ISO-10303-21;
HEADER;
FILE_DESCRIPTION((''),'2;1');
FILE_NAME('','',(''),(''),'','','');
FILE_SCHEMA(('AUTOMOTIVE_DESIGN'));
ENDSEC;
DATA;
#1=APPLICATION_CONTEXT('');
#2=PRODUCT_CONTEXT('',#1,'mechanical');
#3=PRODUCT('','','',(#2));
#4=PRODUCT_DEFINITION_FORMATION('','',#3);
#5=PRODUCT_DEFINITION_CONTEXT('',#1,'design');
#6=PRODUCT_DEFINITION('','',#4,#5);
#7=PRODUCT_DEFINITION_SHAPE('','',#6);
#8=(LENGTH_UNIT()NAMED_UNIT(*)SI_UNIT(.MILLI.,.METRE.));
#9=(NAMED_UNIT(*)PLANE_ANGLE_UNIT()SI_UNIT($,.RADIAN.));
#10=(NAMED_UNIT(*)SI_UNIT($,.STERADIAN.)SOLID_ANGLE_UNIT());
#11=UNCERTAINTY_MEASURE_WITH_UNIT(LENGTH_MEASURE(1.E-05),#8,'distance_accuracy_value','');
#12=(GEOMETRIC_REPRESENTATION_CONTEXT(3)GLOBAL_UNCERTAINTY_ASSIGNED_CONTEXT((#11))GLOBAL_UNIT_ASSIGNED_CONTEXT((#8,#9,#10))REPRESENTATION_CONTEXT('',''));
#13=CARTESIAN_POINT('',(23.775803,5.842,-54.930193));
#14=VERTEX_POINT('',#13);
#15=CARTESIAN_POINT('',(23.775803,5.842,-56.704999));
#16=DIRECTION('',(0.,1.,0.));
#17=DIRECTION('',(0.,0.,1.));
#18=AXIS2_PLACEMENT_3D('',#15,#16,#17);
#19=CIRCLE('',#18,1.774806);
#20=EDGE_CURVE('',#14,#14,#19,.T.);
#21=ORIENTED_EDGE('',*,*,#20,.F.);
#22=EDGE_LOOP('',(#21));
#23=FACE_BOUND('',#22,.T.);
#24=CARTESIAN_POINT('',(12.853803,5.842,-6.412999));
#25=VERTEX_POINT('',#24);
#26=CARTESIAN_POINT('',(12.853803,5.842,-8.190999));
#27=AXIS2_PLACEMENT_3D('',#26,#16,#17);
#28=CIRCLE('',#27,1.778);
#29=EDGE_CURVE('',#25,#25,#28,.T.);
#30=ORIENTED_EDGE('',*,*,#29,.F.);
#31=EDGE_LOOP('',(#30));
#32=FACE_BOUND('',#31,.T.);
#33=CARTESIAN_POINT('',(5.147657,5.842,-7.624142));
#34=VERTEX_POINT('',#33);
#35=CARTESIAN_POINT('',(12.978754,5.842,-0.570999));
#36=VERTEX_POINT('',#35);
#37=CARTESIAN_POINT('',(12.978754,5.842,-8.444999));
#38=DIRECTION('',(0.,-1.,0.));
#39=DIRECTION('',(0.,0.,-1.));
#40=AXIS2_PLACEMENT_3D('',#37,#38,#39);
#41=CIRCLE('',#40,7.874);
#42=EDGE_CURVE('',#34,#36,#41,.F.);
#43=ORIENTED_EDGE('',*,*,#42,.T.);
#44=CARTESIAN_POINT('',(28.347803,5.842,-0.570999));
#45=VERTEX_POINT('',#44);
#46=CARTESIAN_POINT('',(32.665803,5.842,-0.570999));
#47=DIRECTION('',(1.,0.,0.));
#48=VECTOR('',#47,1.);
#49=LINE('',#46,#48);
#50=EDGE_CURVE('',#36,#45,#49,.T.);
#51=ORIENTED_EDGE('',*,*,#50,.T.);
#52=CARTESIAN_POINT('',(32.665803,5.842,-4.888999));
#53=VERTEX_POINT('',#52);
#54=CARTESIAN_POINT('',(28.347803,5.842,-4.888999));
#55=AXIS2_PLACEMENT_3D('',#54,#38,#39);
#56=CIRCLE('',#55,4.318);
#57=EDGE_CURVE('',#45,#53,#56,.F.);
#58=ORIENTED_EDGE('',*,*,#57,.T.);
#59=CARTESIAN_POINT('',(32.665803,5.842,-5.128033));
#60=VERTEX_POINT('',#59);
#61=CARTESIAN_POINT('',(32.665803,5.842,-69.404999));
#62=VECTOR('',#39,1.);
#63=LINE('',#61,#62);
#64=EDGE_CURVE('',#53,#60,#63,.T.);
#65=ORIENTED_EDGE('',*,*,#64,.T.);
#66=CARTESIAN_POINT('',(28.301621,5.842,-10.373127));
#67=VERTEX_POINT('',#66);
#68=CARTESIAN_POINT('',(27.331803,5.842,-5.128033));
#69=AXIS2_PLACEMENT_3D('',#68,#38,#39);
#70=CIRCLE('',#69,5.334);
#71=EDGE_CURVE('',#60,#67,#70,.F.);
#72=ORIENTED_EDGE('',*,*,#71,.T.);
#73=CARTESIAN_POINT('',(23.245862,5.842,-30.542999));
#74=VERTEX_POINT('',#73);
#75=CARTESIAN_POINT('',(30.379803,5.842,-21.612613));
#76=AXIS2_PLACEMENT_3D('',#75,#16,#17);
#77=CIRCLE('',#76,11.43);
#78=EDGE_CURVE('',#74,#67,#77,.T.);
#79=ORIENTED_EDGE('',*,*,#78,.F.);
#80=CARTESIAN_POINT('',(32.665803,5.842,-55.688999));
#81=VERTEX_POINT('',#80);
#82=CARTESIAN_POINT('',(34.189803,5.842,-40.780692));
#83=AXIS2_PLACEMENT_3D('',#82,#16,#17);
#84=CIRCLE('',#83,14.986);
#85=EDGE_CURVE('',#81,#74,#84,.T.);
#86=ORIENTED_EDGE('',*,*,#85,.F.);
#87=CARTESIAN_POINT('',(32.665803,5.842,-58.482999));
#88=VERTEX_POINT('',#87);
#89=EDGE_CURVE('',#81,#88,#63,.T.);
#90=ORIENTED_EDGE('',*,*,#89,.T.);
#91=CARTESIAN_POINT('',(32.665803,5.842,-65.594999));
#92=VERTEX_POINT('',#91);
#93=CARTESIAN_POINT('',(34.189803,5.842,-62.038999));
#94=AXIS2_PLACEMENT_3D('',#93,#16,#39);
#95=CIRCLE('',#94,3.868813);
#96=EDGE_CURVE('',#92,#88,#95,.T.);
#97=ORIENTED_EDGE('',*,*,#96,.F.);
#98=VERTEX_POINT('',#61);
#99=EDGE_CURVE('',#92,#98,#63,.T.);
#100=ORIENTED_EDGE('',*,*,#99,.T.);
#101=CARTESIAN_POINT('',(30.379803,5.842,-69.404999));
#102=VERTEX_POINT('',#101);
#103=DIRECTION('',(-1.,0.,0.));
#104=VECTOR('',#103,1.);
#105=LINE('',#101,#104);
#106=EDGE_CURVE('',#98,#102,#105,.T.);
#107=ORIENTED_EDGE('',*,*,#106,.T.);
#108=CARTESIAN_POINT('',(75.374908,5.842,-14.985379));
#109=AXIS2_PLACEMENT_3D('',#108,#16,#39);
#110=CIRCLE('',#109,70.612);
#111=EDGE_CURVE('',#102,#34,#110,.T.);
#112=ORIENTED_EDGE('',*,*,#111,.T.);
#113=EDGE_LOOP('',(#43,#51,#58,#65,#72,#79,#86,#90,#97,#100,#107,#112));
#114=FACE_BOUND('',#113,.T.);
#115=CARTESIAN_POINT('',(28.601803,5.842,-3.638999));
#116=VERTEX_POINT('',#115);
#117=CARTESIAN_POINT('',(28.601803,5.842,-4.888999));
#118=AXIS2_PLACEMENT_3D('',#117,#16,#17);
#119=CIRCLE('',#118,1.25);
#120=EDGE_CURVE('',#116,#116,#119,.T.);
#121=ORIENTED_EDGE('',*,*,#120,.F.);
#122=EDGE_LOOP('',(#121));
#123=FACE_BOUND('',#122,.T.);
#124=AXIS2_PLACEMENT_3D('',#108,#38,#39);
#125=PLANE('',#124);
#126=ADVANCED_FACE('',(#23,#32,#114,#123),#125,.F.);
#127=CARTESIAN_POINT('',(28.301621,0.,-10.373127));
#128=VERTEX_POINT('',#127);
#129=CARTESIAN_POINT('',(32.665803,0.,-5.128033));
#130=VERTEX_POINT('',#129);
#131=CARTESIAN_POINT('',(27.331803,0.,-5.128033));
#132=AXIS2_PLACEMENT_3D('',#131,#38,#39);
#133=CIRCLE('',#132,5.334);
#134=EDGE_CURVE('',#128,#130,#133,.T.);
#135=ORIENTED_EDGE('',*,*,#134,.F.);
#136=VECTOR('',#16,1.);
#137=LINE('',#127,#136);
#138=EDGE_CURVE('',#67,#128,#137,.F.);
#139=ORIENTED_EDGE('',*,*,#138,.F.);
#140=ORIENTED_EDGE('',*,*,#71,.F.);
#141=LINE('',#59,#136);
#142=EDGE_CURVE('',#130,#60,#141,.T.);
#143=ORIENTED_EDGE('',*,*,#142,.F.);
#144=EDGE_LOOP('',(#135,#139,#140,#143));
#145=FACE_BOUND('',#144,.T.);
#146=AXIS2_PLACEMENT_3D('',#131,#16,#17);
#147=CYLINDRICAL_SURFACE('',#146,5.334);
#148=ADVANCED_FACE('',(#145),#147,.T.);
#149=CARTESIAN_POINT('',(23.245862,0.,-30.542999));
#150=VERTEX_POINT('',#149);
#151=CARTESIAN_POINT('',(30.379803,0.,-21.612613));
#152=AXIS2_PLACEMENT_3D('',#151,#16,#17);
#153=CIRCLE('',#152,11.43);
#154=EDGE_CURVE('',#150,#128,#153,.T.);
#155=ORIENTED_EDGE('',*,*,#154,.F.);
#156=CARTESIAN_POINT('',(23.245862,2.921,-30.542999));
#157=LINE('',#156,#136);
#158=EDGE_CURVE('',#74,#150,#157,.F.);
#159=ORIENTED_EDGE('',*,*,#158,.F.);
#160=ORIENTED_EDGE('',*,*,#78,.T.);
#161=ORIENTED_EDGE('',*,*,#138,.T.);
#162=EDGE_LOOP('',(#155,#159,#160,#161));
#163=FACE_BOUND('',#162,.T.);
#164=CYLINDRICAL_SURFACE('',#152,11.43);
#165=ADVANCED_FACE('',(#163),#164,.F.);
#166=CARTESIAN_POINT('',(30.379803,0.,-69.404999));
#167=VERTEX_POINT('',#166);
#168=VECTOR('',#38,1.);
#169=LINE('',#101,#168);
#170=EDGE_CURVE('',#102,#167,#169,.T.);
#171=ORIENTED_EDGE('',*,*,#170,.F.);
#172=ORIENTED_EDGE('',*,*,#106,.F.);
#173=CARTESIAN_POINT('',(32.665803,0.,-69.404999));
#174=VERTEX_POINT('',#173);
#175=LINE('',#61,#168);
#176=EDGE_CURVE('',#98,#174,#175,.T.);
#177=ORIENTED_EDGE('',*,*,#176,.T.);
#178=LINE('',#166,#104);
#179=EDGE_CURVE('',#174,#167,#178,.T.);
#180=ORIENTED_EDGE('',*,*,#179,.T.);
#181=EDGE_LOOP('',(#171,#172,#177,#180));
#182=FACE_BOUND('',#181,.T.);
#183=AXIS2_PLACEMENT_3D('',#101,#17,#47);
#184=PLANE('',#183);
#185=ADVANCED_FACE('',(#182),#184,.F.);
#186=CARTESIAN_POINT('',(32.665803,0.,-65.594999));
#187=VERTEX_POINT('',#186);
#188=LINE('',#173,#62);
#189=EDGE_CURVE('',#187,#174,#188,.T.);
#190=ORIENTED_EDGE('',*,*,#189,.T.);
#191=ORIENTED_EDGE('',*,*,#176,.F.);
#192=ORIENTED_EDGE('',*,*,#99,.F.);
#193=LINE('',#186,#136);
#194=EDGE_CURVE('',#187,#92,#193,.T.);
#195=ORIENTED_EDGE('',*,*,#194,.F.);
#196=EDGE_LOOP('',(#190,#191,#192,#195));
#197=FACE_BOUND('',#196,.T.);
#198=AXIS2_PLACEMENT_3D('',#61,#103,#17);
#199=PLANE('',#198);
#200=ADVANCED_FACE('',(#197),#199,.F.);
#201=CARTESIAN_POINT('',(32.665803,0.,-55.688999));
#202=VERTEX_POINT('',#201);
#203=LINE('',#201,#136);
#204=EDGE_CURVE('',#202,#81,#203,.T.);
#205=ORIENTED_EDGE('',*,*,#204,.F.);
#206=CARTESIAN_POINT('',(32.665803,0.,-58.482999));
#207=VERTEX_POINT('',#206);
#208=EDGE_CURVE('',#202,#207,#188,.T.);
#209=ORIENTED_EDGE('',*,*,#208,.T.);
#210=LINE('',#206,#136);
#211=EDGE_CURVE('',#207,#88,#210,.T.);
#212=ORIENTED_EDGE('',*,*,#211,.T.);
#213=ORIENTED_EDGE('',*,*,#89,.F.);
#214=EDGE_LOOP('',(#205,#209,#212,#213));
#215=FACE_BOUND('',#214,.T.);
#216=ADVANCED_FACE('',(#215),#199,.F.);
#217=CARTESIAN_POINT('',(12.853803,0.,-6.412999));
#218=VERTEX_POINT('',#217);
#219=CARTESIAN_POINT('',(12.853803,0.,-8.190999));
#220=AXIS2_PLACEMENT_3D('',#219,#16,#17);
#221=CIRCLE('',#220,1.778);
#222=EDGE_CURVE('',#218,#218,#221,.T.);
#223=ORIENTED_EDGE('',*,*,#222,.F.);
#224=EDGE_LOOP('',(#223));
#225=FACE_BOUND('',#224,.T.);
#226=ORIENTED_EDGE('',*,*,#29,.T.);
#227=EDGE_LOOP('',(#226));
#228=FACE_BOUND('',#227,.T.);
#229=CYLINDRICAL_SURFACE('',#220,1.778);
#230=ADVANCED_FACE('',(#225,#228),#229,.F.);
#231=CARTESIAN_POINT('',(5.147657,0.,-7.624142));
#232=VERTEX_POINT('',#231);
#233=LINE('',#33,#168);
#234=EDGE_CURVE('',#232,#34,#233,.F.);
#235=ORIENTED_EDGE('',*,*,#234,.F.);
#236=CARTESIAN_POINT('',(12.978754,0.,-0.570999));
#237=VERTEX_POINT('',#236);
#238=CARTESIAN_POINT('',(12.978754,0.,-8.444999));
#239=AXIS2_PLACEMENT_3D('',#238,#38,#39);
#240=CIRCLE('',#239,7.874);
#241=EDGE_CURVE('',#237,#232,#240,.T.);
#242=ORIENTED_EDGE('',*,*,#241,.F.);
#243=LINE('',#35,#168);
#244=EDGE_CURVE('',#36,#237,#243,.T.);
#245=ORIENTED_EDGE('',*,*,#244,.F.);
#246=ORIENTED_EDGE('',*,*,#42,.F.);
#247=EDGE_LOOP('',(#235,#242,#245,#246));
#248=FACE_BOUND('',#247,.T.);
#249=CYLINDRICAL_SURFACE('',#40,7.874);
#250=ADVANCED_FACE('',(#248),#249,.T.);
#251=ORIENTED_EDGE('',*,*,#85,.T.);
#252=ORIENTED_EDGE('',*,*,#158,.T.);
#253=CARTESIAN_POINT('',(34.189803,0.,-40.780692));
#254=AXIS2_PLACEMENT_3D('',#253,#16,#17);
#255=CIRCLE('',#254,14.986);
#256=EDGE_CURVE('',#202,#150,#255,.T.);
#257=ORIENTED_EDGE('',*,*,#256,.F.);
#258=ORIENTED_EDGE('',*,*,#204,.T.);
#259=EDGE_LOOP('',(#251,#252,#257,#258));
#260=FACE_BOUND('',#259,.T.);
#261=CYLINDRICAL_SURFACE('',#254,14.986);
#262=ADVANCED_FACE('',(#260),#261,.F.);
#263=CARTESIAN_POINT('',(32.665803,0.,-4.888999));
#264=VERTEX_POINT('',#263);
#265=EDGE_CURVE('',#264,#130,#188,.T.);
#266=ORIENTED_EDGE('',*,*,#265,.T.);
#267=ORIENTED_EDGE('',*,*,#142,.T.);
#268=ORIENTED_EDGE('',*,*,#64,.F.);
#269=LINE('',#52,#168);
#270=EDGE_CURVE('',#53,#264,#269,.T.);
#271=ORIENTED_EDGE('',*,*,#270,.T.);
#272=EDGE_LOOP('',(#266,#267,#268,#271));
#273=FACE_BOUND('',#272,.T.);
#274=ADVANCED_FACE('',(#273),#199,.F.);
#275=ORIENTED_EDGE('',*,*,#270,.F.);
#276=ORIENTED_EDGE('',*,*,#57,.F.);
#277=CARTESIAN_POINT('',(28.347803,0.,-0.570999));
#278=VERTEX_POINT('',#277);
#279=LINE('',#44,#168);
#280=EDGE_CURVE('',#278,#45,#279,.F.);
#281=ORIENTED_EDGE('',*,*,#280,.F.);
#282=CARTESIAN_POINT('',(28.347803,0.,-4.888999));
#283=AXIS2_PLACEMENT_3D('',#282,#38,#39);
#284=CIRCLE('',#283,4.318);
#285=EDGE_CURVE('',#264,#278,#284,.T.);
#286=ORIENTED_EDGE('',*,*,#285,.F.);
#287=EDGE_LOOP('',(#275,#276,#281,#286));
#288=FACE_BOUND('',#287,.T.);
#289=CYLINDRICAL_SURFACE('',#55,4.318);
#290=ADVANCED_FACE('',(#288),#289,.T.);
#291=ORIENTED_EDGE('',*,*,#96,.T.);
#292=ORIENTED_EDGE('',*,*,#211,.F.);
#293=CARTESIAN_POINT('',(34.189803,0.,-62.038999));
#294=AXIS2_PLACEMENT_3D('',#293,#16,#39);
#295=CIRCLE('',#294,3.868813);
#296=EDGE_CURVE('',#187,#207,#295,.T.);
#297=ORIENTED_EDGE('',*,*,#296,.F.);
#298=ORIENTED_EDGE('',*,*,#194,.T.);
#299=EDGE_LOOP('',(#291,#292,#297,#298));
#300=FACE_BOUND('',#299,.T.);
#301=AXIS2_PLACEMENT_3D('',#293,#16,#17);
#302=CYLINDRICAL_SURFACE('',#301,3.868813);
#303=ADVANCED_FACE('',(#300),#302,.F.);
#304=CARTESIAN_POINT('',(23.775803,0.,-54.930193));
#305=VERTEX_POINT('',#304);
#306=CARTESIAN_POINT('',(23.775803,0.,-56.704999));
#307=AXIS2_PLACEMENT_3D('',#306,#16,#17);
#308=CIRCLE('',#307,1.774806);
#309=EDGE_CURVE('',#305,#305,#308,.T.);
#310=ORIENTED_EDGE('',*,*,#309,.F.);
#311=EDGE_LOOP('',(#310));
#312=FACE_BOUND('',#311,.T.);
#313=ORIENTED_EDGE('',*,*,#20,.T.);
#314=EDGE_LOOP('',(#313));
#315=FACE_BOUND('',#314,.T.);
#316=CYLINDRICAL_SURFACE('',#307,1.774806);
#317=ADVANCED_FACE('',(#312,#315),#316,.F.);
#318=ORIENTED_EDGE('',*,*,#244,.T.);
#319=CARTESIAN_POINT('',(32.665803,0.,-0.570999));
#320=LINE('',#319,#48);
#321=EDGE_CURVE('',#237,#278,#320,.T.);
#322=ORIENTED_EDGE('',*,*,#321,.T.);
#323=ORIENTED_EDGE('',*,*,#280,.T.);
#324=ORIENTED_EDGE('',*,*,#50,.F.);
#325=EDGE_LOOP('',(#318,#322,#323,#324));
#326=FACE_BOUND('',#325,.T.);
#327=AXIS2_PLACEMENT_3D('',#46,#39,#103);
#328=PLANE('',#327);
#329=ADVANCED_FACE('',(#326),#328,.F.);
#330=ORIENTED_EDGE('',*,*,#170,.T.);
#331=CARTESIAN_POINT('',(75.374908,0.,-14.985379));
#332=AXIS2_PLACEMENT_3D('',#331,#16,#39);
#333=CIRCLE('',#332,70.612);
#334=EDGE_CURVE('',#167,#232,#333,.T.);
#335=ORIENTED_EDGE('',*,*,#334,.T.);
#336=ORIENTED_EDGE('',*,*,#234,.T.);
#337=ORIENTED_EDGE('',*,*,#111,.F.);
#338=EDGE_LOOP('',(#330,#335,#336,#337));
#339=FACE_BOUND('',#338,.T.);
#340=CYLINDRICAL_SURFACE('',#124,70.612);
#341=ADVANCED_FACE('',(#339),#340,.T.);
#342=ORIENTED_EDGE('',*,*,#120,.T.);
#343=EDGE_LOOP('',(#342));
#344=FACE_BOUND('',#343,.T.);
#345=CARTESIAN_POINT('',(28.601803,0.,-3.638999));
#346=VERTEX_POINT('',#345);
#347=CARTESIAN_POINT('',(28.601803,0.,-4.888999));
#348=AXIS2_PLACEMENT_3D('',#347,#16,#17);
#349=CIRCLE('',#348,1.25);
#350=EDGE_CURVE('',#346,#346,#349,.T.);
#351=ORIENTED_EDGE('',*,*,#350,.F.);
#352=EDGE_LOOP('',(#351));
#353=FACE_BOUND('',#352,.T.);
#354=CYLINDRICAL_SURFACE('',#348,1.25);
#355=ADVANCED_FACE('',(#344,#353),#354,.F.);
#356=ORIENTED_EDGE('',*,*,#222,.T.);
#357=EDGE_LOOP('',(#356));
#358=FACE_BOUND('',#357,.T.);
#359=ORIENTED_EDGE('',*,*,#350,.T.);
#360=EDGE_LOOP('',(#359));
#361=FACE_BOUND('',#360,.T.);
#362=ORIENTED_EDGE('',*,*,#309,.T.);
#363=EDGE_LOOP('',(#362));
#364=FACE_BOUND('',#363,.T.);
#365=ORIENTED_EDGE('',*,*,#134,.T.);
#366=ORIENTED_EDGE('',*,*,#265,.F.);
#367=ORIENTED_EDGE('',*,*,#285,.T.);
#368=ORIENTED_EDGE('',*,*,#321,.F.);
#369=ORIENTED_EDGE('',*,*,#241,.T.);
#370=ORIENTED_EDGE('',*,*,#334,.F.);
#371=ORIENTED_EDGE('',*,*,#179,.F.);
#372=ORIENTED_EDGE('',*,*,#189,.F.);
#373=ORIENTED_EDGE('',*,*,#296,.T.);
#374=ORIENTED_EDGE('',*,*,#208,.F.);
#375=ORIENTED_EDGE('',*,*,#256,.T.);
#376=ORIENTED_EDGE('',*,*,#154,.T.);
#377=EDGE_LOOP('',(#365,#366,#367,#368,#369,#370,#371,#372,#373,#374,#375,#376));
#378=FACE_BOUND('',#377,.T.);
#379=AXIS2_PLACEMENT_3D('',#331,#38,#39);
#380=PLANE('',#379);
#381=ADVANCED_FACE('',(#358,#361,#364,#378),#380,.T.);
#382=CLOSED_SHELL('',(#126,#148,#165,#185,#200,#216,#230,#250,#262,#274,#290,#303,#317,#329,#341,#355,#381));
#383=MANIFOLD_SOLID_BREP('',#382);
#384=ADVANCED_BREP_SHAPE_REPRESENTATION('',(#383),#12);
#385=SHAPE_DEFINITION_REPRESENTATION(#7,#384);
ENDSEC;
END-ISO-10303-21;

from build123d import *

# Parameters (mm, degrees)
BOSS_EXTRUDE1_DEPTH = 5.842
CUT_EXTRUDE1_DEPTH  = 77.930082101
CUT_EXTRUDE2_DEPTH  = 77.930082101
SKETCH8_R           = 11.43
CUT_EXTRUDE3_DEPTH  = 77.930082101
FILLET1_R           = 7.874
FILLET2_R           = 4.318
FILLET4_R           = 5.334
SKETCH9_R           = 1.774805699
CUT_EXTRUDE4_DEPTH  = 77.930082101
SKETCH10_R          = 1.25
CUT_EXTRUDE5_DEPTH  = 77.930082101
SKETCH11_R          = 1.778
CUT_EXTRUDE6_DEPTH  = 77.930082101


with BuildPart() as part:
    # Sketch1 → Boss-Extrude1 (new body)
    with BuildSketch(Plane(origin=(0, 0, 0), x_dir=(1, 0, 0), z_dir=(0, 1, 0))):
        with BuildLine():
            Line((30.379802604, 69.40499916), (32.665802604, 69.40499916))
            Line((32.665802604, 69.40499916), (32.665802604, 0.57099916))
            Line((32.665802604, 0.57099916), (6.249802604, 0.57099916))
            ThreePointArc((6.249802604, 0.57099916), (8.73869024, 38.344938918), (30.379802604, 69.40499916))
        make_face()
    extrude(amount=BOSS_EXTRUDE1_DEPTH)

    # Sketch2 → Cut-Extrude1 (cut, through all)
    with BuildSketch(Plane(origin=(0, 5.842, 0), x_dir=(1, 0, 0), z_dir=(0, 1, 0))):
        with BuildLine():
            Line((32.665802604, 65.59499916), (32.665802604, 58.48299916))
            ThreePointArc((32.665802604, 58.48299916), (30.320989866, 62.03899916), (32.665802604, 65.59499916))
        make_face()
    extrude(amount=-CUT_EXTRUDE1_DEPTH, mode=Mode.SUBTRACT)

    # Sketch7 → Cut-Extrude2 (cut, through all)
    with BuildSketch(Plane(origin=(0, 5.842, 0), x_dir=(1, 0, 0), z_dir=(0, 1, 0))):
        with BuildLine():
            Line((32.665802604, 55.68899916), (32.665802604, 25.872384999))
            ThreePointArc((32.665802604, 25.872384999), (19.203802604, 40.780692079), (32.665802604, 55.68899916))
        make_face()
    extrude(amount=-CUT_EXTRUDE2_DEPTH, mode=Mode.SUBTRACT)

    # Sketch8 → Cut-Extrude3 (cut, through all)
    with BuildSketch(Plane(origin=(0, 5.842, 0), x_dir=(1, 0, 0), z_dir=(0, 1, 0))):
        with Locations((30.379802604, 21.612613445)):
            Circle(SKETCH8_R)
    extrude(amount=-CUT_EXTRUDE3_DEPTH, mode=Mode.SUBTRACT)

    # Fillet1
    fillet1_edges = [part.edges().sort_by_distance(p)[0] for p in [
        (6.249802604, 2.921, -0.57099916),
    ]]
    fillet(fillet1_edges, radius=FILLET1_R)

    # Fillet2
    fillet2_edges = [part.edges().sort_by_distance(p)[0] for p in [
        (32.665802604, 2.921, -0.57099916),
    ]]
    fillet(fillet2_edges, radius=FILLET2_R)

    # Fillet4
    fillet4_edges = [part.edges().sort_by_distance(p)[0] for p in [
        (32.665802604, 2.921, -10.413546341),
    ]]
    fillet(fillet4_edges, radius=FILLET4_R)

    # Sketch9 → Cut-Extrude4 (cut, through all)
    with BuildSketch(Plane(origin=(0, 5.842, 0), x_dir=(1, 0, 0), z_dir=(0, 1, 0))):
        with Locations(Location((23.775802604, 56.70499916, 0), (0, 0, 270))):
            Circle(SKETCH9_R)
    extrude(amount=-CUT_EXTRUDE4_DEPTH, mode=Mode.SUBTRACT)

    # Sketch10 → Cut-Extrude5 (cut, through all)
    with BuildSketch(Plane(origin=(0, 5.842, 0), x_dir=(1, 0, 0), z_dir=(0, 1, 0))):
        with Locations(Location((28.601802604, 4.88899916, 0), (0, 0, 270))):
            Circle(SKETCH10_R)
    extrude(amount=-CUT_EXTRUDE5_DEPTH, mode=Mode.SUBTRACT)

    # Sketch11 → Cut-Extrude6 (cut, through all)
    with BuildSketch(Plane(origin=(0, 5.842, 0), x_dir=(1, 0, 0), z_dir=(0, 1, 0))):
        with Locations(Location((12.853802604, 8.19099916, 0), (0, 0, 270))):
            Circle(SKETCH11_R)
    extrude(amount=-CUT_EXTRUDE6_DEPTH, mode=Mode.SUBTRACT)


solid = part.part
